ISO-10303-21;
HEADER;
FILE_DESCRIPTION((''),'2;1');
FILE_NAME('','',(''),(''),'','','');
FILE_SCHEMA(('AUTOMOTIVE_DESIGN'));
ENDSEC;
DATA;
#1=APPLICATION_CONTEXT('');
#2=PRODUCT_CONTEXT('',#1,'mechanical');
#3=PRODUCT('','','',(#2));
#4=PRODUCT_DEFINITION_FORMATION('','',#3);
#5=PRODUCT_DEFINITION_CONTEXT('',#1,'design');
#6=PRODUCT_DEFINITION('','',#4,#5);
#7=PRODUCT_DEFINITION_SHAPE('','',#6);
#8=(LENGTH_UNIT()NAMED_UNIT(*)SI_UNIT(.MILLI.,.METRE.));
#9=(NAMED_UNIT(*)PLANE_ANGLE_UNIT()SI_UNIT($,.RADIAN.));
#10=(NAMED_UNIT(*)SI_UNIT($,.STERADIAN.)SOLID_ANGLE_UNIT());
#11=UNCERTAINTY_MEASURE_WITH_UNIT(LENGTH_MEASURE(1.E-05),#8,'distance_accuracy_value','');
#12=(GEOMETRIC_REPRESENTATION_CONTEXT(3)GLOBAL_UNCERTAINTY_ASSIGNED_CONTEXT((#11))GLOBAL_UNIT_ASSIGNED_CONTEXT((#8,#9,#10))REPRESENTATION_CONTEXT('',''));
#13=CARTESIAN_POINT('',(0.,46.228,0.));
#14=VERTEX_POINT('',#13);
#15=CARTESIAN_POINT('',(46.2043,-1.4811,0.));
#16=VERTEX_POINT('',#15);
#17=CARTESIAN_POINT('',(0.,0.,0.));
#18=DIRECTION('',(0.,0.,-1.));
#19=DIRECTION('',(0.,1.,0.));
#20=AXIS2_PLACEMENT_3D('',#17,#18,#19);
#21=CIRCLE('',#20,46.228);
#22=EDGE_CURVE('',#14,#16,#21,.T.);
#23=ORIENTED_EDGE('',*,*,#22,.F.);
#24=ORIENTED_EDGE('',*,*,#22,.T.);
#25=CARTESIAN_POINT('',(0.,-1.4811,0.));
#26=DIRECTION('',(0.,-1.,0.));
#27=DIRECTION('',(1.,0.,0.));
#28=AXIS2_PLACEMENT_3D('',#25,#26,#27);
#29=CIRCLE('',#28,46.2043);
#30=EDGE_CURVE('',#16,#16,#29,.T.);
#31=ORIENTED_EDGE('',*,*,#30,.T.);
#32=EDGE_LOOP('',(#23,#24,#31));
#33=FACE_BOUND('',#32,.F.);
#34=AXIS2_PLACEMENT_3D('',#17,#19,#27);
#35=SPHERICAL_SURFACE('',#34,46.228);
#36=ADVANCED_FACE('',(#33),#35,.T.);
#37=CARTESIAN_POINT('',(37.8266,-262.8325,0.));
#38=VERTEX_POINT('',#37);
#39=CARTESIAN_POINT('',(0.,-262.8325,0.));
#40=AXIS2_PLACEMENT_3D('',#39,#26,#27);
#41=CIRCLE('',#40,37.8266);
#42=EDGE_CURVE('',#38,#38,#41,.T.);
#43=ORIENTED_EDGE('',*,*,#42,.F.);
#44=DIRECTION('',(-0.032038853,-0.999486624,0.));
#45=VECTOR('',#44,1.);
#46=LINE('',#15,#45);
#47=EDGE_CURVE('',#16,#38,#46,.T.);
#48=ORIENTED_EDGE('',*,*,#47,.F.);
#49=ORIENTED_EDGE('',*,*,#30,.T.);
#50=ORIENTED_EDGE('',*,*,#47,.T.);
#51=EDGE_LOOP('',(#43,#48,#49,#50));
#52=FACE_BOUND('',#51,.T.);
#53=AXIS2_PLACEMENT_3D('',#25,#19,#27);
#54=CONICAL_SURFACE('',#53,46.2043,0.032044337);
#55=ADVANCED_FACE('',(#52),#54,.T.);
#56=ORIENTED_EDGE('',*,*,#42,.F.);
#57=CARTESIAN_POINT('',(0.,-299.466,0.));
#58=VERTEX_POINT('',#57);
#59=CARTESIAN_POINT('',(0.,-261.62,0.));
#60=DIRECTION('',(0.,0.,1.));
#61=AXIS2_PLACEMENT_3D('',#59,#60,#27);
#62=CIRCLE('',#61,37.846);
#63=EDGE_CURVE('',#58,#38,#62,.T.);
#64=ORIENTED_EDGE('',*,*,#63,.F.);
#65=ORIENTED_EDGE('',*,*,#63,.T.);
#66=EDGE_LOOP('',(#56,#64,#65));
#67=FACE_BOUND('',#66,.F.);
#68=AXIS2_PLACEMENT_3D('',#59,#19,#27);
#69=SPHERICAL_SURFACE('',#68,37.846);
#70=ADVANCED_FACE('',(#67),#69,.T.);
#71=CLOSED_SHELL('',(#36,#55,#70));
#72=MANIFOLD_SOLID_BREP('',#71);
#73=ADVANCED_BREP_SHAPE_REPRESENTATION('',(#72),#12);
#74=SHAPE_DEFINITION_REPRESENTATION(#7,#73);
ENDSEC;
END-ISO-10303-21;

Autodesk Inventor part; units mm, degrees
ref_plane "YZ Plane" through (0, 0, 0) normal (1, 0, 0) x (0, 1, 0)
ref_plane "XZ Plane" through (0, 0, 0) normal (0, 1, 0) x (-1, 0, 0)
sketch "Sketch1" plane through (0, 0, 0) normal (0, 0, 1) x (1, 0, 0)
  circle A0 centre (0, 0) radius 46.228
  circle A1 centre (0, -261.62) radius 37.846
  line L0 (0, 46.228) -> (0, -299.466)
  line L1 (46.2043, -1.4811) -> (37.8266, -262.8325)
  dimension "d16" = 261.62
  dimension "d17" = 92.456
  dimension "d18" = 75.692
revolve "Revolution1" add sketch "Sketch1" angle 360 about axis through (0, 46.228, 0) along (0, -1, 0) picked at (17.2426, 5.6008) picked at (12.6153, -261.62) contours A0 L0 | L1 A1 L0 A0 | A1 L0
ref_plane "Work Plane1" through (0, -156.972, 0) normal (0, 1, 0) x (-1, 0, 0)
split_face "Split1"
equation "\"d16\" = SHOULDER_TO_ELBOW"
equation "\"d17\" = SHOULDER_THK"
equation "\"d18\" = ELBOW_THK"
equation "\"d20\" = -0.6 * d16"
equation "\"SHOULDER_TO_ELBOW\" = 261.62"
equation "\"SHOULDER_THK\" = 92.456"
equation "\"ELBOW_THK\" = 75.692"
properties part number "3D HUMAN"
